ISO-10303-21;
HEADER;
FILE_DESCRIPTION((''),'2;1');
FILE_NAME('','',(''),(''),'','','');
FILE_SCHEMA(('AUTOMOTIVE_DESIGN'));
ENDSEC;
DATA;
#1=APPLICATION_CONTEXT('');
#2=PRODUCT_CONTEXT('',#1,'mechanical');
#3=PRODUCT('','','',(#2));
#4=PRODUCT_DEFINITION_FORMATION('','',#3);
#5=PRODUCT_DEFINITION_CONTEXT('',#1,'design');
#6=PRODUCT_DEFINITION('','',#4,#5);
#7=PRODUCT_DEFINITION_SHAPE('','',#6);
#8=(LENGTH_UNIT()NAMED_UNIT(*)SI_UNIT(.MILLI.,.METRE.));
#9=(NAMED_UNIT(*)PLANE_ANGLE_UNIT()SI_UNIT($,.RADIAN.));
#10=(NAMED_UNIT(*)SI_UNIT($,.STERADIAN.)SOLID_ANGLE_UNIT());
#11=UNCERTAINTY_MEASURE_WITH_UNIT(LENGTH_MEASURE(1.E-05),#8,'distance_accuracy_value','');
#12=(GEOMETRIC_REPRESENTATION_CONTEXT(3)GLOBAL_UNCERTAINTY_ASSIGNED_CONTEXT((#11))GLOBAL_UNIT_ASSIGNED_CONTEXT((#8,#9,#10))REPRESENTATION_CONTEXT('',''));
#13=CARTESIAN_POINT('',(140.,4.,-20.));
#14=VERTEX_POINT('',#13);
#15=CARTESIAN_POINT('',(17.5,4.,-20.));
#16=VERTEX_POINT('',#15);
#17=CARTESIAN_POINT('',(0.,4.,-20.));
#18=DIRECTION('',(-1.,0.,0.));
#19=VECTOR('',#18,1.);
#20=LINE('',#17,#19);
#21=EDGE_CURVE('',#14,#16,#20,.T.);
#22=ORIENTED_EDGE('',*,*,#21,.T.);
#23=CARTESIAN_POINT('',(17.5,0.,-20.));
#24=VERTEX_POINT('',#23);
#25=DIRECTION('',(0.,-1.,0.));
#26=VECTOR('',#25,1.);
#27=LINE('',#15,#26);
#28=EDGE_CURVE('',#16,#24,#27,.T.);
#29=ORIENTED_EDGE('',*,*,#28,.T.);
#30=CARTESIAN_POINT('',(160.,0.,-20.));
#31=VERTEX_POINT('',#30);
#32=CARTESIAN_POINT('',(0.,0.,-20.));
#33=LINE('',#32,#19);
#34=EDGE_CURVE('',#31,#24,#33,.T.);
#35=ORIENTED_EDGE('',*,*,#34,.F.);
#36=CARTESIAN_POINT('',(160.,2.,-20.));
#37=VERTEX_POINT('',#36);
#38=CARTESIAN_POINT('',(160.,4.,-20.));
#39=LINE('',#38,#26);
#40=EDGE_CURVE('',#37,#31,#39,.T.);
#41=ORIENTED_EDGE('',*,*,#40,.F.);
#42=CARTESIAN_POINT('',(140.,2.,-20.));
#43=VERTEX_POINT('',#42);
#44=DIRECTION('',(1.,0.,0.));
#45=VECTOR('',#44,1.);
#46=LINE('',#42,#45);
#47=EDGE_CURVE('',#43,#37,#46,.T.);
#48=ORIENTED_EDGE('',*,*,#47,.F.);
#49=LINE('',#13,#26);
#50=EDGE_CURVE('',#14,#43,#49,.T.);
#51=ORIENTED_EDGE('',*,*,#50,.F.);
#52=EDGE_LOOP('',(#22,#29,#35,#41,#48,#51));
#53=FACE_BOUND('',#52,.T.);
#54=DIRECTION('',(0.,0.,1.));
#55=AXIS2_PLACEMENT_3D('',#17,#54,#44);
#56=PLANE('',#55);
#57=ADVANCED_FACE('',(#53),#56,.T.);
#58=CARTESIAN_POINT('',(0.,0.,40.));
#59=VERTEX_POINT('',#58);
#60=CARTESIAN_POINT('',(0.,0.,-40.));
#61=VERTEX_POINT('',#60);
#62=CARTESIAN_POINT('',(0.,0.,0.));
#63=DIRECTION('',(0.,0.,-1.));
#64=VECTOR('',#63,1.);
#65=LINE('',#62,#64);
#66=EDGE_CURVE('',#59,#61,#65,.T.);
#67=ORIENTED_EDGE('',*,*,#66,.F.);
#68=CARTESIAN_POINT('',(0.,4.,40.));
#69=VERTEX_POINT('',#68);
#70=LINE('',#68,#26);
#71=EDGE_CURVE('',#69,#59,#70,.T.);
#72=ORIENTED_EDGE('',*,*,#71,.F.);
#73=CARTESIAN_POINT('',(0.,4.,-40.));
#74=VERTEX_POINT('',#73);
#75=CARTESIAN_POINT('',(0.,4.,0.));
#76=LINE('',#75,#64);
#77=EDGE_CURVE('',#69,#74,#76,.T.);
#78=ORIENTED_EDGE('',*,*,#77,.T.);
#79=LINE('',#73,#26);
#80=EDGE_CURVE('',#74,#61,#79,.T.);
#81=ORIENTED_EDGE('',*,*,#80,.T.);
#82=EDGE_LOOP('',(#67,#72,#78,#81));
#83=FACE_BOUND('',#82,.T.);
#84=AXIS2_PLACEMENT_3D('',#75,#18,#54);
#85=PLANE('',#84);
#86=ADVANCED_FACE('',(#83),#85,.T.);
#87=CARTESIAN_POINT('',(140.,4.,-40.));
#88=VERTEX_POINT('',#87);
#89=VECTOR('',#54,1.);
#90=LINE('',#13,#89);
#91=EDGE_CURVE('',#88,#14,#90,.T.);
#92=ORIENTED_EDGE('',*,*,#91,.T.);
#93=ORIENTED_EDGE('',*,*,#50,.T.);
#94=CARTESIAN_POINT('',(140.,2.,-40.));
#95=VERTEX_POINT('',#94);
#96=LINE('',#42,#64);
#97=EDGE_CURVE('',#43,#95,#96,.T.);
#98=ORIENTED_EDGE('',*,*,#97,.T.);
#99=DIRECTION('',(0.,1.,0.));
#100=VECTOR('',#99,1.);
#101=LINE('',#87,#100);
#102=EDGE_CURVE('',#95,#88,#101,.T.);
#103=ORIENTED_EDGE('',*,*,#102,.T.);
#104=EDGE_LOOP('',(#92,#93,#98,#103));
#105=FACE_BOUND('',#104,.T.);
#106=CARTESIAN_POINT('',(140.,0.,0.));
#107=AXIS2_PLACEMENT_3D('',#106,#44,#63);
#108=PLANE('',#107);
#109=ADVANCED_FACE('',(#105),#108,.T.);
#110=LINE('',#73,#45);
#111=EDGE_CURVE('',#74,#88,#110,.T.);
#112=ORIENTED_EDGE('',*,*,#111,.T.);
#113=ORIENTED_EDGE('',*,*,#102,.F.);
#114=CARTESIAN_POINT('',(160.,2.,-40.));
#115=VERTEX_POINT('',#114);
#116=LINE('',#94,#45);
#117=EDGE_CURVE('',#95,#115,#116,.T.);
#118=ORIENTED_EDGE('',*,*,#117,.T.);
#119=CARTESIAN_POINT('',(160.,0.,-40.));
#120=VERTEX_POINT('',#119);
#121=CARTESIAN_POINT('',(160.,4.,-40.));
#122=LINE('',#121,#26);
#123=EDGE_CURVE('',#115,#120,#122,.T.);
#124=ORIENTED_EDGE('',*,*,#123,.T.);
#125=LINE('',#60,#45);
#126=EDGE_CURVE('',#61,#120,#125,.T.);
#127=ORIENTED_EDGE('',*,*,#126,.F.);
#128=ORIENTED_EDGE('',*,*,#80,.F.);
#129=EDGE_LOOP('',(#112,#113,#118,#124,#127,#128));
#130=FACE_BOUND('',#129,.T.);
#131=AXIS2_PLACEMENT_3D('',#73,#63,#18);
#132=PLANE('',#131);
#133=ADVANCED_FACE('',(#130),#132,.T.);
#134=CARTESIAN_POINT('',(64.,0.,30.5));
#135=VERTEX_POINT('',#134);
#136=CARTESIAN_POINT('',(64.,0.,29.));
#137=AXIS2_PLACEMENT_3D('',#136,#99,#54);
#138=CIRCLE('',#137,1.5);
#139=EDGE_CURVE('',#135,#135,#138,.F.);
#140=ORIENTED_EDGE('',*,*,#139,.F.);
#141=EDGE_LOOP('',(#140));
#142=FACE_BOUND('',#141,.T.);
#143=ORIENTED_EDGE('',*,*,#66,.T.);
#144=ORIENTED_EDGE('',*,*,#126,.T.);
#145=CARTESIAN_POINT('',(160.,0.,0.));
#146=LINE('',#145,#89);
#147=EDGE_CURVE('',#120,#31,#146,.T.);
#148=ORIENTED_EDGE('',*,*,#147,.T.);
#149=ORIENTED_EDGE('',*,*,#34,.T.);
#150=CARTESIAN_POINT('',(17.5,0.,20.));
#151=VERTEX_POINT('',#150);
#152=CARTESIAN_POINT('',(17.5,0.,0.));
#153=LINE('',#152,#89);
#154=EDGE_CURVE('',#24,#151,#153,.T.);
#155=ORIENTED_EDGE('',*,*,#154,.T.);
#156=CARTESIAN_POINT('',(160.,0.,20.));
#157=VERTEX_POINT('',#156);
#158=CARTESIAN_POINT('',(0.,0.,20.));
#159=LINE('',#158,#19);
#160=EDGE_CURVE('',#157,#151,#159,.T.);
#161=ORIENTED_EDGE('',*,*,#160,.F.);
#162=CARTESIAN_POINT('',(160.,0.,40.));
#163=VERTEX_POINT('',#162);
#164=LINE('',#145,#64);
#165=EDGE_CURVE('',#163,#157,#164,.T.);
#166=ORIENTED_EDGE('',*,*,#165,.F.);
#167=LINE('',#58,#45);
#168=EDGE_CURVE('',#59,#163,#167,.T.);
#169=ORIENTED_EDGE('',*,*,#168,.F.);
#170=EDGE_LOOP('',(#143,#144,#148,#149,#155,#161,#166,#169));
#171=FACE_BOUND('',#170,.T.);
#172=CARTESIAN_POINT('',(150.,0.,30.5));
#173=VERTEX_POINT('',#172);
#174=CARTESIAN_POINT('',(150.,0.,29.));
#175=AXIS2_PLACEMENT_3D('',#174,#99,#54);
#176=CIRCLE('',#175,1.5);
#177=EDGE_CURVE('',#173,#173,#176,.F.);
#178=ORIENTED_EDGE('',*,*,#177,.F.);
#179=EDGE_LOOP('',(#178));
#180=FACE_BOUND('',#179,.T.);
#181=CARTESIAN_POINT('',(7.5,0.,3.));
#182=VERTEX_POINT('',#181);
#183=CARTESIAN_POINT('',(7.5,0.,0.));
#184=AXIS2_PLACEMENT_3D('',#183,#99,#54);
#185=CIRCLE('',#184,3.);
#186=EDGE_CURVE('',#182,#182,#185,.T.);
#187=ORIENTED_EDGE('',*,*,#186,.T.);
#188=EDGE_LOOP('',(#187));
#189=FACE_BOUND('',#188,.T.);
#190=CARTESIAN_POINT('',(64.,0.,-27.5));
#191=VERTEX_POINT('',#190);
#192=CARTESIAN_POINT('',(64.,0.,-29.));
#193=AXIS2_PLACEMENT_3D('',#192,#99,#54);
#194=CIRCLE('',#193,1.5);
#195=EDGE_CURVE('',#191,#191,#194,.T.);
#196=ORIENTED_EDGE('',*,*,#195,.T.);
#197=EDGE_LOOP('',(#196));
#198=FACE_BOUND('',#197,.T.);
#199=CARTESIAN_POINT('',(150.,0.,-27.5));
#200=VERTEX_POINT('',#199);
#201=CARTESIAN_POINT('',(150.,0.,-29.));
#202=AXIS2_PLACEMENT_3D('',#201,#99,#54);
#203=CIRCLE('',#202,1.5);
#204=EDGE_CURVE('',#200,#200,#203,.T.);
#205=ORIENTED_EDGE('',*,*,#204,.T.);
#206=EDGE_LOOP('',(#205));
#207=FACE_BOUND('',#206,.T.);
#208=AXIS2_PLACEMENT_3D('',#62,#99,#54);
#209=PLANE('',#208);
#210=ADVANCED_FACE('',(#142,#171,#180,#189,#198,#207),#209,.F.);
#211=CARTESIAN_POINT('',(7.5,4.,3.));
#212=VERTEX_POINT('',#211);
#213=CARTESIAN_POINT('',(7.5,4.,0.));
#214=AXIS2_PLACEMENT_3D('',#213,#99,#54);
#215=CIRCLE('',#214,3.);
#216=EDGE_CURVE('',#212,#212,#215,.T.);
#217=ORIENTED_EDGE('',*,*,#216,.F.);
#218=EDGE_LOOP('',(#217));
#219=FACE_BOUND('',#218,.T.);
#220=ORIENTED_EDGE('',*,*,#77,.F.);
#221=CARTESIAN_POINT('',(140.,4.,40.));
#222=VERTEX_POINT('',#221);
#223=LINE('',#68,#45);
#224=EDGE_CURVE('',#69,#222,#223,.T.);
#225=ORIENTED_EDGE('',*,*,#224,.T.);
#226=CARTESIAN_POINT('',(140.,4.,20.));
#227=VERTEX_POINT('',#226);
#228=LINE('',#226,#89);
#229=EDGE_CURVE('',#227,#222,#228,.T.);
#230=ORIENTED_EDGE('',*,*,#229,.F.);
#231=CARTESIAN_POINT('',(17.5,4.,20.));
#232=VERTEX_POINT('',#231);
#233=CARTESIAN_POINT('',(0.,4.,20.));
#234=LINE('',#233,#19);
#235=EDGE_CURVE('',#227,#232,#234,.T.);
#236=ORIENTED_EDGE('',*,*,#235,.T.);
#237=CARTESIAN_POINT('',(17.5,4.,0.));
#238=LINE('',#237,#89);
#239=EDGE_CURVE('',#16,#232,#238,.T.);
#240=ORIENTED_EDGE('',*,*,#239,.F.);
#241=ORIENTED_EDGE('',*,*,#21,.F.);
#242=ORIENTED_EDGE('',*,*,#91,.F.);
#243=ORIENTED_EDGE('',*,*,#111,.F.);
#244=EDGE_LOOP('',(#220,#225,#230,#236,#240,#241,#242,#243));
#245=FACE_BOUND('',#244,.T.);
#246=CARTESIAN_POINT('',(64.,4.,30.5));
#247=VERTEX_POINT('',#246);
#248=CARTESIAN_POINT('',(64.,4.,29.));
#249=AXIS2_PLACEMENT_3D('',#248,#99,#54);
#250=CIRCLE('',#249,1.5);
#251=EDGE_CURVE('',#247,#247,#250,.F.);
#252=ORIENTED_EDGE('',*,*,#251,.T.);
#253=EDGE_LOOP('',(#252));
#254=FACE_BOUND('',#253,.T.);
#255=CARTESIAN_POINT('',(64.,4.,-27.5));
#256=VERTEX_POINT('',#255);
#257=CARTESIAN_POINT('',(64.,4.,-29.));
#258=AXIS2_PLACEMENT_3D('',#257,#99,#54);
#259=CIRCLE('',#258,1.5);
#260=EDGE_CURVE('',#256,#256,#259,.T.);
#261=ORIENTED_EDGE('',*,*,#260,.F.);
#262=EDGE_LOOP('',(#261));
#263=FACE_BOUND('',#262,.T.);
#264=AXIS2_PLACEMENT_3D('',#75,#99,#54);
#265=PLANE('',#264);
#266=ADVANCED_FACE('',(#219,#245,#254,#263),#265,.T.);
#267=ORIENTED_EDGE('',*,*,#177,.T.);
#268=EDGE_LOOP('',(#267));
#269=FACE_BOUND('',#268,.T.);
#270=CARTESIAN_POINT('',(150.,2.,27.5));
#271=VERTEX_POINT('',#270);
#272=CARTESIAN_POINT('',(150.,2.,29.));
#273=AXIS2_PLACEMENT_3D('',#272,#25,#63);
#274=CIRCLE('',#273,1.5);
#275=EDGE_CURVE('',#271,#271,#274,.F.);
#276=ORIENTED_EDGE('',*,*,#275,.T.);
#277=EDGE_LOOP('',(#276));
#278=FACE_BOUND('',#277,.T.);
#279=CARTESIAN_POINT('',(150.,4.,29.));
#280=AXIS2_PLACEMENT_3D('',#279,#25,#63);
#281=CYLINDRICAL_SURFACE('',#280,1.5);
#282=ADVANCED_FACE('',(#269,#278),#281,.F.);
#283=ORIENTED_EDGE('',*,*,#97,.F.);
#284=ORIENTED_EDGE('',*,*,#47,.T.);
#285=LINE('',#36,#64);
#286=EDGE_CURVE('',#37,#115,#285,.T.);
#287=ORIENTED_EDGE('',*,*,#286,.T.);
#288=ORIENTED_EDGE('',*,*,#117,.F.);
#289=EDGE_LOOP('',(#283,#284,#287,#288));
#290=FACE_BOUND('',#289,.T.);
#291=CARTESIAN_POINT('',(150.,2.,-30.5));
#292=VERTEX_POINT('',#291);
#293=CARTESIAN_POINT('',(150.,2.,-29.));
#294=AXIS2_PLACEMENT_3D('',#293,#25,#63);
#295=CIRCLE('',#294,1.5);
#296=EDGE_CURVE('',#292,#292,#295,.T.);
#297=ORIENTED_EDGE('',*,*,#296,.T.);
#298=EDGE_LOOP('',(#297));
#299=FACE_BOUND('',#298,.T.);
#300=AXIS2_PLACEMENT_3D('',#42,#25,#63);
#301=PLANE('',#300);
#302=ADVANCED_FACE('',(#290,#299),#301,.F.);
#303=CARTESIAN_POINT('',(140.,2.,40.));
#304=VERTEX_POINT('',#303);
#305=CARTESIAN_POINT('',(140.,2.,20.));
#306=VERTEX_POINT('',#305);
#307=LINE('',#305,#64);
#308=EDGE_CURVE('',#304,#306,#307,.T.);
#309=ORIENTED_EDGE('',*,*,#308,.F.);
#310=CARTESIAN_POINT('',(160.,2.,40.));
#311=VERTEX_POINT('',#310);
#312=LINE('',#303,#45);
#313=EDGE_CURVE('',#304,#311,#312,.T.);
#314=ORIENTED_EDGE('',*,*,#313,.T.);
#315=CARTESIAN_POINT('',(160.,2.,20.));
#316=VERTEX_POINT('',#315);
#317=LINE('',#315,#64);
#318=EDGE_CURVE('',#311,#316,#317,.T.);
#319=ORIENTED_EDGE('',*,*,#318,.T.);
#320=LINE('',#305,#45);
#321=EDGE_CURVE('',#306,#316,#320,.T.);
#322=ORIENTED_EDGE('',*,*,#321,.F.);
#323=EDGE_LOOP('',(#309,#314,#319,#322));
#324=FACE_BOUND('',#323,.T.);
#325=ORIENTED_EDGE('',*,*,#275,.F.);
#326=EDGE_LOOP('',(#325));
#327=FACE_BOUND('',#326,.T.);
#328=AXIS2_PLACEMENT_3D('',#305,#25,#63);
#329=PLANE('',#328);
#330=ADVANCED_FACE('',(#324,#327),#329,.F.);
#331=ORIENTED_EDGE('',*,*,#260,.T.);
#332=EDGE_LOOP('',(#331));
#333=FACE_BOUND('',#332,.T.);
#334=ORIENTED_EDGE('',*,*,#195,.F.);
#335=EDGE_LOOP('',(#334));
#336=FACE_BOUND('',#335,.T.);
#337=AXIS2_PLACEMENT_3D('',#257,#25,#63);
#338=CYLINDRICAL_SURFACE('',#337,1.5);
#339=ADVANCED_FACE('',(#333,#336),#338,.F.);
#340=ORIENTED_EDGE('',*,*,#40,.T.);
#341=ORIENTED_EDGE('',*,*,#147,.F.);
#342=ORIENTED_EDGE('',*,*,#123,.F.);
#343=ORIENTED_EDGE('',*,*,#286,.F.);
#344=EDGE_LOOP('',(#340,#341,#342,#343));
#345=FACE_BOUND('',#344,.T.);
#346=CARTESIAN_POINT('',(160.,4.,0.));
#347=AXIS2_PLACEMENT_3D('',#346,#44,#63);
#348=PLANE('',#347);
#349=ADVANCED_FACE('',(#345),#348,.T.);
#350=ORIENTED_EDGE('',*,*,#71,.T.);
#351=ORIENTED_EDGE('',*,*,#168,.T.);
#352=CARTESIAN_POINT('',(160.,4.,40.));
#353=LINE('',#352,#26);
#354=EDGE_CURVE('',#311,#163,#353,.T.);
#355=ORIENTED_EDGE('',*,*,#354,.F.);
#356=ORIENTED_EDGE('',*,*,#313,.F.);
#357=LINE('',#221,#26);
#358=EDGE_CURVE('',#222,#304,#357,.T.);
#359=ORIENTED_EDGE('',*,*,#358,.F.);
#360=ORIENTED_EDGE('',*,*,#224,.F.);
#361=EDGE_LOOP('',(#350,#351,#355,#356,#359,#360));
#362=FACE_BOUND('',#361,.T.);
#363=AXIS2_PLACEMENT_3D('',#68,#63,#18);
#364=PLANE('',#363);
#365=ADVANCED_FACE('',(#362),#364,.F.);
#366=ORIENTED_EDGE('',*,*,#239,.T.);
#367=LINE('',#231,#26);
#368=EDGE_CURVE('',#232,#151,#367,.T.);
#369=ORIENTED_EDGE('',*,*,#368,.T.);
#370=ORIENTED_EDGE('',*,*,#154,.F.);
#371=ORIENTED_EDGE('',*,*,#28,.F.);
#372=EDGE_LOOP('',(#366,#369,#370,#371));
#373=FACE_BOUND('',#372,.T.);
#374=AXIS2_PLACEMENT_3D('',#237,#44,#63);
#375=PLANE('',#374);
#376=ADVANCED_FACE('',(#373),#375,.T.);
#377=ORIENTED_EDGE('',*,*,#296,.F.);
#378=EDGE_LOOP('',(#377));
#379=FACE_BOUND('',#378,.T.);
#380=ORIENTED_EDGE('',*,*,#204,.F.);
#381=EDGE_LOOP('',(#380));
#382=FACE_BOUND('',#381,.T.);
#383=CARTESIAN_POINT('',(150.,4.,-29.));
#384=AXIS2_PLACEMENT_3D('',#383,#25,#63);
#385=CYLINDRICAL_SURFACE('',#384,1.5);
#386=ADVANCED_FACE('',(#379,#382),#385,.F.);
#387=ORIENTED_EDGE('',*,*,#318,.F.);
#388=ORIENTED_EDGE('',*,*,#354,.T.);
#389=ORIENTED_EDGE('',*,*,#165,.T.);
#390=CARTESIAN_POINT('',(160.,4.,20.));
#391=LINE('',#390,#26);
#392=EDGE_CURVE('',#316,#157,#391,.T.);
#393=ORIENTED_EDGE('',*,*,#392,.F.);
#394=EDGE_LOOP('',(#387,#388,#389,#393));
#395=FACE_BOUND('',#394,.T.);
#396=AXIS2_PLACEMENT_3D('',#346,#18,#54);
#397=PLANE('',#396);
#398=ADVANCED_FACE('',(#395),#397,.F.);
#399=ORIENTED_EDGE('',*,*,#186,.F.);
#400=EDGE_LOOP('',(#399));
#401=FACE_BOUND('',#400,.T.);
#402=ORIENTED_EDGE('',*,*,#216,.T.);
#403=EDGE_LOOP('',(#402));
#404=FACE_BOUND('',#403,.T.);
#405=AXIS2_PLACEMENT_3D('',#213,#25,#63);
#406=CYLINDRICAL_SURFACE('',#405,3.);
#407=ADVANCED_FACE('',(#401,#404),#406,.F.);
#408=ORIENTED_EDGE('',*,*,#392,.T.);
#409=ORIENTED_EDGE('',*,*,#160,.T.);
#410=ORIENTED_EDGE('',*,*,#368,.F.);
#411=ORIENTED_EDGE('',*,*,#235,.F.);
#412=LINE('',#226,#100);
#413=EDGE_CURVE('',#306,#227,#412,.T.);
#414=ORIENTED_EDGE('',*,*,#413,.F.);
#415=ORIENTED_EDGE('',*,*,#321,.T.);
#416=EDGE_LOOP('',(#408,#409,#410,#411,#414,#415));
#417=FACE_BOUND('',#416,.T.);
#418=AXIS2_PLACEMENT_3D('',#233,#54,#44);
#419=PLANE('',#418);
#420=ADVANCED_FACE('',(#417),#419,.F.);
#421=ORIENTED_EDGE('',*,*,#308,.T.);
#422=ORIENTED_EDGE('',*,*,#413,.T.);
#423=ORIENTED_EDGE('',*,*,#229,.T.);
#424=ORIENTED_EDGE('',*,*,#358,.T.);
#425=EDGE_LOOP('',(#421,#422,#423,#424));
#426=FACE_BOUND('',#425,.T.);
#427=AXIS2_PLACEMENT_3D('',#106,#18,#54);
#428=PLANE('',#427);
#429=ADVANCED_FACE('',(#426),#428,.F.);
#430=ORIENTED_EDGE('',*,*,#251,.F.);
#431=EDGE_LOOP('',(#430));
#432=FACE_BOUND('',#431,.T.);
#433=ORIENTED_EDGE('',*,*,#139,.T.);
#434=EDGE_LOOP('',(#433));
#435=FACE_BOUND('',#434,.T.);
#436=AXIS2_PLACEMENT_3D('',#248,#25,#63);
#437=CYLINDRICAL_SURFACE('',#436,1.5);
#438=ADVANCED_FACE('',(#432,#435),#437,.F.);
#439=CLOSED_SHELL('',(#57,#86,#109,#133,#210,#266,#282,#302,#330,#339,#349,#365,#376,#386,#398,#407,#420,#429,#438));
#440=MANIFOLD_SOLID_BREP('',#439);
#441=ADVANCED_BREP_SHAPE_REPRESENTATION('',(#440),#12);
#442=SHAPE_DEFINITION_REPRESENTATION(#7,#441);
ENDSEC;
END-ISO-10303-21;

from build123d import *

# Parameters (mm, degrees)
SKETCH1_R           = 1.5
BOSS_EXTRUDE1_DEPTH = 4
SKETCH2_W           = 20
SKETCH2_H           = 2
CUT_EXTRUDE1_DEPTH  = 20


with BuildPart() as part:
    # Sketch1 → Boss-Extrude1 (new body)
    # profile 1 of 2: a face of its own
    with BuildSketch(Plane(origin=(0, 0, 0), x_dir=(1, 0, 0), z_dir=(0, 1, 0))):
        with BuildLine():
            Line((0, 0), (0, -40))
            Line((0, -40), (160, -40))
            Line((160, -40), (160, -20))
            Line((160, -20), (17.5, -20))
            Line((17.5, -20), (17.5, 0))
            Line((17.5, 0), (10.5, 0))
            ThreePointArc((10.5, 0), (7.5, -3), (4.5, 0))
            Line((4.5, 0), (0, 0))
        make_face()
        with Locations(Location((64, -29, 0), (0, 0, 270))):
            Circle(SKETCH1_R, mode=Mode.SUBTRACT)
        with Locations(Location((150, -29, 0), (0, 0, 270))):
            Circle(SKETCH1_R, mode=Mode.SUBTRACT)
    # profile 2 of 2: a face of its own
    with BuildSketch(Plane(origin=(0, 0, 0), x_dir=(1, 0, 0), z_dir=(0, 1, 0))):
        with BuildLine():
            Line((0, 40), (0, 0))
            Line((0, 0), (4.5, 0))
            ThreePointArc((4.5, 0), (7.5, 3), (10.5, 0))
            Line((10.5, 0), (17.5, 0))
            Line((17.5, 0), (17.5, 20))
            Line((17.5, 20), (160, 20))
            Line((160, 20), (160, 40))
            Line((160, 40), (0, 40))
        make_face()
        with Locations(Location((64, 29, 0), (0, 0, 270))):
            Circle(SKETCH1_R, mode=Mode.SUBTRACT)
        with Locations(Location((150, 29, 0), (0, 0, 270))):
            Circle(SKETCH1_R, mode=Mode.SUBTRACT)
    extrude(amount=BOSS_EXTRUDE1_DEPTH)

    # Sketch2 → Cut-Extrude1 (cut)
    with BuildSketch(Plane(origin=(160, 0, 0), x_dir=(0, 0, -1), z_dir=(1, 0, 0))):
        with Locations((30, 3)):
            Rectangle(SKETCH2_W, SKETCH2_H)
        with Locations((-30, 3)):
            Rectangle(SKETCH2_W, SKETCH2_H)
    extrude(amount=-CUT_EXTRUDE1_DEPTH, mode=Mode.SUBTRACT)


solid = part.part
